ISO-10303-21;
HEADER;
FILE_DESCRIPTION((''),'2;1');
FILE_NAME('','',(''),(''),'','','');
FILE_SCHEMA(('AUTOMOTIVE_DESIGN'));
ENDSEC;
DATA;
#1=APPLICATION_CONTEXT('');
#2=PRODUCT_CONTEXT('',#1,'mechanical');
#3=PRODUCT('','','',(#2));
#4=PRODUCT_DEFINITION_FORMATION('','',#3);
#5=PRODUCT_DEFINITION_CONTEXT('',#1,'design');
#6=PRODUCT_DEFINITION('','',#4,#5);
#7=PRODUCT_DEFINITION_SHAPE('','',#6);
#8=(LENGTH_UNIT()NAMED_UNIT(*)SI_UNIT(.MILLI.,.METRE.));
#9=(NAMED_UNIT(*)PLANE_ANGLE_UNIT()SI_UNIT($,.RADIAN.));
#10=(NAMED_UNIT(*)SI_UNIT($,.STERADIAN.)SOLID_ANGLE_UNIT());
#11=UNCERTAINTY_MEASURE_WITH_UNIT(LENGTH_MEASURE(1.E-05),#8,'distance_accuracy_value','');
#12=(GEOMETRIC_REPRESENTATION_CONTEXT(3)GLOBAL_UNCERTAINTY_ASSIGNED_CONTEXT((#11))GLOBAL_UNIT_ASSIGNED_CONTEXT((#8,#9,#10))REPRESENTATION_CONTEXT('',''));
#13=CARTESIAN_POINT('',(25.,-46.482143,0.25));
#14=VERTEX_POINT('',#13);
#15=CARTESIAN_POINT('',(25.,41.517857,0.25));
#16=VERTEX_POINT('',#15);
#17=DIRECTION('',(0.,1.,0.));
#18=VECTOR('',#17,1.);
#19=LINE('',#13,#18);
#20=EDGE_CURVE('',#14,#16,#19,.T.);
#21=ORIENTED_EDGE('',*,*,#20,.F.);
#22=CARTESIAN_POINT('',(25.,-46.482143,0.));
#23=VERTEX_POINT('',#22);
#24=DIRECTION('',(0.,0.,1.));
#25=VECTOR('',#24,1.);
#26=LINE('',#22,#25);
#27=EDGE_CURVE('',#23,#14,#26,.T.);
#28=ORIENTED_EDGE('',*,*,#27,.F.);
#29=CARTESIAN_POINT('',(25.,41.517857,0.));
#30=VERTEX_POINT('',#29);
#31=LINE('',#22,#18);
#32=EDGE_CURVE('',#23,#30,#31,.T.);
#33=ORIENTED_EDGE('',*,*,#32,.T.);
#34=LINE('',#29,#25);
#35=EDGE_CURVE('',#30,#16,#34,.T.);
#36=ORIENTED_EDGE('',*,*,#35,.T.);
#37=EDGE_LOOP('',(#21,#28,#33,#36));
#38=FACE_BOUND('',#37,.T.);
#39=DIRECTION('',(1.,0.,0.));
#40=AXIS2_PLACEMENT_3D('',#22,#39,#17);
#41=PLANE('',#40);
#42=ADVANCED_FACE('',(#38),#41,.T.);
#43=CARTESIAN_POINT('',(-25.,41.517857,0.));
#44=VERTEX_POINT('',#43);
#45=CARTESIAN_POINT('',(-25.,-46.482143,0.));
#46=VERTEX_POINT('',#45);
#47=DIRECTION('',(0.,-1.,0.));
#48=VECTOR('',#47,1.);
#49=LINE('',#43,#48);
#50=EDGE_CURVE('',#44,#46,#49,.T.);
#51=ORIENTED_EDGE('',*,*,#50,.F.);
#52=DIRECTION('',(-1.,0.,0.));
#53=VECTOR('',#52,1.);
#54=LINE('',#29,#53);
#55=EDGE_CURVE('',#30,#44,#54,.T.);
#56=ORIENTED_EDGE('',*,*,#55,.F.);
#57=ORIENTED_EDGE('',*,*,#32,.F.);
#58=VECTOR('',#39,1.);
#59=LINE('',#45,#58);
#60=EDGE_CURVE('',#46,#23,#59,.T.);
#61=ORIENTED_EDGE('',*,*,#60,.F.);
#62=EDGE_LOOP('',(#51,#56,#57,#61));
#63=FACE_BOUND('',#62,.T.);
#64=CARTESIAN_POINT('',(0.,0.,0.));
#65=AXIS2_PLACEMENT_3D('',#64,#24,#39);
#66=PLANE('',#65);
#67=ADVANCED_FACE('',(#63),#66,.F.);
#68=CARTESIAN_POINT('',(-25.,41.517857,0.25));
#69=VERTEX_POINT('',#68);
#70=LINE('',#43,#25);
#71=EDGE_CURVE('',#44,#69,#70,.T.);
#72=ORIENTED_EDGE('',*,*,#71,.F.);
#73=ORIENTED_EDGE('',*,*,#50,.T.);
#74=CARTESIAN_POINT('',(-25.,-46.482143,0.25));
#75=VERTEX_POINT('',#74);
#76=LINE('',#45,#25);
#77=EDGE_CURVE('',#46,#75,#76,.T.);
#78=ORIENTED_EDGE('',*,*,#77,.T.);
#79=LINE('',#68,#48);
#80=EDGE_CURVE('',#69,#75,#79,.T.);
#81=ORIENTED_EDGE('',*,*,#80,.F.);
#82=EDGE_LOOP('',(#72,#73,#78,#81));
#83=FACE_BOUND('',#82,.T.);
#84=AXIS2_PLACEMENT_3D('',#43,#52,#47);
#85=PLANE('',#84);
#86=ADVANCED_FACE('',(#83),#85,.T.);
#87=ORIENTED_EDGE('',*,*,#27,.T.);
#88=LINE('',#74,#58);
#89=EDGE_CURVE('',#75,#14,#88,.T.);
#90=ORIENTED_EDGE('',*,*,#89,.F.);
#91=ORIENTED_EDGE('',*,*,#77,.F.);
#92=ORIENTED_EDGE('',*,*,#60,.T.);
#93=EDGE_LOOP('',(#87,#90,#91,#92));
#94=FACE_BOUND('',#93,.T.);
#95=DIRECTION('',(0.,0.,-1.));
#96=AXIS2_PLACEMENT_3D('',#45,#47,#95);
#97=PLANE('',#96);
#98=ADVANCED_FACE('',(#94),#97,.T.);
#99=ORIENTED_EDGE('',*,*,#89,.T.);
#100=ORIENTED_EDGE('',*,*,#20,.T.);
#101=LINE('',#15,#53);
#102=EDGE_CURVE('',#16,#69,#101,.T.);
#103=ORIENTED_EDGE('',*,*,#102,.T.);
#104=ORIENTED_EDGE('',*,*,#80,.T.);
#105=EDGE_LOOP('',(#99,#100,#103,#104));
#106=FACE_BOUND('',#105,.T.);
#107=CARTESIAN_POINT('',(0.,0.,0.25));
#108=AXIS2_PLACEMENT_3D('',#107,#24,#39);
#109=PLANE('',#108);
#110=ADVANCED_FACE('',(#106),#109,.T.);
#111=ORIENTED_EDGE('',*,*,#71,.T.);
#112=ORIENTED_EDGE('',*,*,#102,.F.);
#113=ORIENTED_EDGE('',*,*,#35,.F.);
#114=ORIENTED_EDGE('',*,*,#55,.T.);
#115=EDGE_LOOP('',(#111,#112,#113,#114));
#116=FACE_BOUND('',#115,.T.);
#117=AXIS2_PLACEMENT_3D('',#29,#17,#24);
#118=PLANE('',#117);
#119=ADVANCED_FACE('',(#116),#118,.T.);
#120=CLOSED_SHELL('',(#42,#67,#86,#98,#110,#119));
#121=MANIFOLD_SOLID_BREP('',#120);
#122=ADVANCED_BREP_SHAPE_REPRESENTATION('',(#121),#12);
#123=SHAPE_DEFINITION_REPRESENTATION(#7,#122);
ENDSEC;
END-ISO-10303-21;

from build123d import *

# Parameters (mm, degrees)
SKETCH1_W           = 50
SKETCH1_H           = 88
BOSS_EXTRUDE1_DEPTH = 0.25


with BuildPart() as part:
    # Sketch1 → Boss-Extrude1 (new body)
    with BuildSketch(Plane.XY.offset(0.25)):
        with Locations((0, -2.482142857)):
            Rectangle(SKETCH1_W, SKETCH1_H)
    extrude(amount=-BOSS_EXTRUDE1_DEPTH)


solid = part.part
